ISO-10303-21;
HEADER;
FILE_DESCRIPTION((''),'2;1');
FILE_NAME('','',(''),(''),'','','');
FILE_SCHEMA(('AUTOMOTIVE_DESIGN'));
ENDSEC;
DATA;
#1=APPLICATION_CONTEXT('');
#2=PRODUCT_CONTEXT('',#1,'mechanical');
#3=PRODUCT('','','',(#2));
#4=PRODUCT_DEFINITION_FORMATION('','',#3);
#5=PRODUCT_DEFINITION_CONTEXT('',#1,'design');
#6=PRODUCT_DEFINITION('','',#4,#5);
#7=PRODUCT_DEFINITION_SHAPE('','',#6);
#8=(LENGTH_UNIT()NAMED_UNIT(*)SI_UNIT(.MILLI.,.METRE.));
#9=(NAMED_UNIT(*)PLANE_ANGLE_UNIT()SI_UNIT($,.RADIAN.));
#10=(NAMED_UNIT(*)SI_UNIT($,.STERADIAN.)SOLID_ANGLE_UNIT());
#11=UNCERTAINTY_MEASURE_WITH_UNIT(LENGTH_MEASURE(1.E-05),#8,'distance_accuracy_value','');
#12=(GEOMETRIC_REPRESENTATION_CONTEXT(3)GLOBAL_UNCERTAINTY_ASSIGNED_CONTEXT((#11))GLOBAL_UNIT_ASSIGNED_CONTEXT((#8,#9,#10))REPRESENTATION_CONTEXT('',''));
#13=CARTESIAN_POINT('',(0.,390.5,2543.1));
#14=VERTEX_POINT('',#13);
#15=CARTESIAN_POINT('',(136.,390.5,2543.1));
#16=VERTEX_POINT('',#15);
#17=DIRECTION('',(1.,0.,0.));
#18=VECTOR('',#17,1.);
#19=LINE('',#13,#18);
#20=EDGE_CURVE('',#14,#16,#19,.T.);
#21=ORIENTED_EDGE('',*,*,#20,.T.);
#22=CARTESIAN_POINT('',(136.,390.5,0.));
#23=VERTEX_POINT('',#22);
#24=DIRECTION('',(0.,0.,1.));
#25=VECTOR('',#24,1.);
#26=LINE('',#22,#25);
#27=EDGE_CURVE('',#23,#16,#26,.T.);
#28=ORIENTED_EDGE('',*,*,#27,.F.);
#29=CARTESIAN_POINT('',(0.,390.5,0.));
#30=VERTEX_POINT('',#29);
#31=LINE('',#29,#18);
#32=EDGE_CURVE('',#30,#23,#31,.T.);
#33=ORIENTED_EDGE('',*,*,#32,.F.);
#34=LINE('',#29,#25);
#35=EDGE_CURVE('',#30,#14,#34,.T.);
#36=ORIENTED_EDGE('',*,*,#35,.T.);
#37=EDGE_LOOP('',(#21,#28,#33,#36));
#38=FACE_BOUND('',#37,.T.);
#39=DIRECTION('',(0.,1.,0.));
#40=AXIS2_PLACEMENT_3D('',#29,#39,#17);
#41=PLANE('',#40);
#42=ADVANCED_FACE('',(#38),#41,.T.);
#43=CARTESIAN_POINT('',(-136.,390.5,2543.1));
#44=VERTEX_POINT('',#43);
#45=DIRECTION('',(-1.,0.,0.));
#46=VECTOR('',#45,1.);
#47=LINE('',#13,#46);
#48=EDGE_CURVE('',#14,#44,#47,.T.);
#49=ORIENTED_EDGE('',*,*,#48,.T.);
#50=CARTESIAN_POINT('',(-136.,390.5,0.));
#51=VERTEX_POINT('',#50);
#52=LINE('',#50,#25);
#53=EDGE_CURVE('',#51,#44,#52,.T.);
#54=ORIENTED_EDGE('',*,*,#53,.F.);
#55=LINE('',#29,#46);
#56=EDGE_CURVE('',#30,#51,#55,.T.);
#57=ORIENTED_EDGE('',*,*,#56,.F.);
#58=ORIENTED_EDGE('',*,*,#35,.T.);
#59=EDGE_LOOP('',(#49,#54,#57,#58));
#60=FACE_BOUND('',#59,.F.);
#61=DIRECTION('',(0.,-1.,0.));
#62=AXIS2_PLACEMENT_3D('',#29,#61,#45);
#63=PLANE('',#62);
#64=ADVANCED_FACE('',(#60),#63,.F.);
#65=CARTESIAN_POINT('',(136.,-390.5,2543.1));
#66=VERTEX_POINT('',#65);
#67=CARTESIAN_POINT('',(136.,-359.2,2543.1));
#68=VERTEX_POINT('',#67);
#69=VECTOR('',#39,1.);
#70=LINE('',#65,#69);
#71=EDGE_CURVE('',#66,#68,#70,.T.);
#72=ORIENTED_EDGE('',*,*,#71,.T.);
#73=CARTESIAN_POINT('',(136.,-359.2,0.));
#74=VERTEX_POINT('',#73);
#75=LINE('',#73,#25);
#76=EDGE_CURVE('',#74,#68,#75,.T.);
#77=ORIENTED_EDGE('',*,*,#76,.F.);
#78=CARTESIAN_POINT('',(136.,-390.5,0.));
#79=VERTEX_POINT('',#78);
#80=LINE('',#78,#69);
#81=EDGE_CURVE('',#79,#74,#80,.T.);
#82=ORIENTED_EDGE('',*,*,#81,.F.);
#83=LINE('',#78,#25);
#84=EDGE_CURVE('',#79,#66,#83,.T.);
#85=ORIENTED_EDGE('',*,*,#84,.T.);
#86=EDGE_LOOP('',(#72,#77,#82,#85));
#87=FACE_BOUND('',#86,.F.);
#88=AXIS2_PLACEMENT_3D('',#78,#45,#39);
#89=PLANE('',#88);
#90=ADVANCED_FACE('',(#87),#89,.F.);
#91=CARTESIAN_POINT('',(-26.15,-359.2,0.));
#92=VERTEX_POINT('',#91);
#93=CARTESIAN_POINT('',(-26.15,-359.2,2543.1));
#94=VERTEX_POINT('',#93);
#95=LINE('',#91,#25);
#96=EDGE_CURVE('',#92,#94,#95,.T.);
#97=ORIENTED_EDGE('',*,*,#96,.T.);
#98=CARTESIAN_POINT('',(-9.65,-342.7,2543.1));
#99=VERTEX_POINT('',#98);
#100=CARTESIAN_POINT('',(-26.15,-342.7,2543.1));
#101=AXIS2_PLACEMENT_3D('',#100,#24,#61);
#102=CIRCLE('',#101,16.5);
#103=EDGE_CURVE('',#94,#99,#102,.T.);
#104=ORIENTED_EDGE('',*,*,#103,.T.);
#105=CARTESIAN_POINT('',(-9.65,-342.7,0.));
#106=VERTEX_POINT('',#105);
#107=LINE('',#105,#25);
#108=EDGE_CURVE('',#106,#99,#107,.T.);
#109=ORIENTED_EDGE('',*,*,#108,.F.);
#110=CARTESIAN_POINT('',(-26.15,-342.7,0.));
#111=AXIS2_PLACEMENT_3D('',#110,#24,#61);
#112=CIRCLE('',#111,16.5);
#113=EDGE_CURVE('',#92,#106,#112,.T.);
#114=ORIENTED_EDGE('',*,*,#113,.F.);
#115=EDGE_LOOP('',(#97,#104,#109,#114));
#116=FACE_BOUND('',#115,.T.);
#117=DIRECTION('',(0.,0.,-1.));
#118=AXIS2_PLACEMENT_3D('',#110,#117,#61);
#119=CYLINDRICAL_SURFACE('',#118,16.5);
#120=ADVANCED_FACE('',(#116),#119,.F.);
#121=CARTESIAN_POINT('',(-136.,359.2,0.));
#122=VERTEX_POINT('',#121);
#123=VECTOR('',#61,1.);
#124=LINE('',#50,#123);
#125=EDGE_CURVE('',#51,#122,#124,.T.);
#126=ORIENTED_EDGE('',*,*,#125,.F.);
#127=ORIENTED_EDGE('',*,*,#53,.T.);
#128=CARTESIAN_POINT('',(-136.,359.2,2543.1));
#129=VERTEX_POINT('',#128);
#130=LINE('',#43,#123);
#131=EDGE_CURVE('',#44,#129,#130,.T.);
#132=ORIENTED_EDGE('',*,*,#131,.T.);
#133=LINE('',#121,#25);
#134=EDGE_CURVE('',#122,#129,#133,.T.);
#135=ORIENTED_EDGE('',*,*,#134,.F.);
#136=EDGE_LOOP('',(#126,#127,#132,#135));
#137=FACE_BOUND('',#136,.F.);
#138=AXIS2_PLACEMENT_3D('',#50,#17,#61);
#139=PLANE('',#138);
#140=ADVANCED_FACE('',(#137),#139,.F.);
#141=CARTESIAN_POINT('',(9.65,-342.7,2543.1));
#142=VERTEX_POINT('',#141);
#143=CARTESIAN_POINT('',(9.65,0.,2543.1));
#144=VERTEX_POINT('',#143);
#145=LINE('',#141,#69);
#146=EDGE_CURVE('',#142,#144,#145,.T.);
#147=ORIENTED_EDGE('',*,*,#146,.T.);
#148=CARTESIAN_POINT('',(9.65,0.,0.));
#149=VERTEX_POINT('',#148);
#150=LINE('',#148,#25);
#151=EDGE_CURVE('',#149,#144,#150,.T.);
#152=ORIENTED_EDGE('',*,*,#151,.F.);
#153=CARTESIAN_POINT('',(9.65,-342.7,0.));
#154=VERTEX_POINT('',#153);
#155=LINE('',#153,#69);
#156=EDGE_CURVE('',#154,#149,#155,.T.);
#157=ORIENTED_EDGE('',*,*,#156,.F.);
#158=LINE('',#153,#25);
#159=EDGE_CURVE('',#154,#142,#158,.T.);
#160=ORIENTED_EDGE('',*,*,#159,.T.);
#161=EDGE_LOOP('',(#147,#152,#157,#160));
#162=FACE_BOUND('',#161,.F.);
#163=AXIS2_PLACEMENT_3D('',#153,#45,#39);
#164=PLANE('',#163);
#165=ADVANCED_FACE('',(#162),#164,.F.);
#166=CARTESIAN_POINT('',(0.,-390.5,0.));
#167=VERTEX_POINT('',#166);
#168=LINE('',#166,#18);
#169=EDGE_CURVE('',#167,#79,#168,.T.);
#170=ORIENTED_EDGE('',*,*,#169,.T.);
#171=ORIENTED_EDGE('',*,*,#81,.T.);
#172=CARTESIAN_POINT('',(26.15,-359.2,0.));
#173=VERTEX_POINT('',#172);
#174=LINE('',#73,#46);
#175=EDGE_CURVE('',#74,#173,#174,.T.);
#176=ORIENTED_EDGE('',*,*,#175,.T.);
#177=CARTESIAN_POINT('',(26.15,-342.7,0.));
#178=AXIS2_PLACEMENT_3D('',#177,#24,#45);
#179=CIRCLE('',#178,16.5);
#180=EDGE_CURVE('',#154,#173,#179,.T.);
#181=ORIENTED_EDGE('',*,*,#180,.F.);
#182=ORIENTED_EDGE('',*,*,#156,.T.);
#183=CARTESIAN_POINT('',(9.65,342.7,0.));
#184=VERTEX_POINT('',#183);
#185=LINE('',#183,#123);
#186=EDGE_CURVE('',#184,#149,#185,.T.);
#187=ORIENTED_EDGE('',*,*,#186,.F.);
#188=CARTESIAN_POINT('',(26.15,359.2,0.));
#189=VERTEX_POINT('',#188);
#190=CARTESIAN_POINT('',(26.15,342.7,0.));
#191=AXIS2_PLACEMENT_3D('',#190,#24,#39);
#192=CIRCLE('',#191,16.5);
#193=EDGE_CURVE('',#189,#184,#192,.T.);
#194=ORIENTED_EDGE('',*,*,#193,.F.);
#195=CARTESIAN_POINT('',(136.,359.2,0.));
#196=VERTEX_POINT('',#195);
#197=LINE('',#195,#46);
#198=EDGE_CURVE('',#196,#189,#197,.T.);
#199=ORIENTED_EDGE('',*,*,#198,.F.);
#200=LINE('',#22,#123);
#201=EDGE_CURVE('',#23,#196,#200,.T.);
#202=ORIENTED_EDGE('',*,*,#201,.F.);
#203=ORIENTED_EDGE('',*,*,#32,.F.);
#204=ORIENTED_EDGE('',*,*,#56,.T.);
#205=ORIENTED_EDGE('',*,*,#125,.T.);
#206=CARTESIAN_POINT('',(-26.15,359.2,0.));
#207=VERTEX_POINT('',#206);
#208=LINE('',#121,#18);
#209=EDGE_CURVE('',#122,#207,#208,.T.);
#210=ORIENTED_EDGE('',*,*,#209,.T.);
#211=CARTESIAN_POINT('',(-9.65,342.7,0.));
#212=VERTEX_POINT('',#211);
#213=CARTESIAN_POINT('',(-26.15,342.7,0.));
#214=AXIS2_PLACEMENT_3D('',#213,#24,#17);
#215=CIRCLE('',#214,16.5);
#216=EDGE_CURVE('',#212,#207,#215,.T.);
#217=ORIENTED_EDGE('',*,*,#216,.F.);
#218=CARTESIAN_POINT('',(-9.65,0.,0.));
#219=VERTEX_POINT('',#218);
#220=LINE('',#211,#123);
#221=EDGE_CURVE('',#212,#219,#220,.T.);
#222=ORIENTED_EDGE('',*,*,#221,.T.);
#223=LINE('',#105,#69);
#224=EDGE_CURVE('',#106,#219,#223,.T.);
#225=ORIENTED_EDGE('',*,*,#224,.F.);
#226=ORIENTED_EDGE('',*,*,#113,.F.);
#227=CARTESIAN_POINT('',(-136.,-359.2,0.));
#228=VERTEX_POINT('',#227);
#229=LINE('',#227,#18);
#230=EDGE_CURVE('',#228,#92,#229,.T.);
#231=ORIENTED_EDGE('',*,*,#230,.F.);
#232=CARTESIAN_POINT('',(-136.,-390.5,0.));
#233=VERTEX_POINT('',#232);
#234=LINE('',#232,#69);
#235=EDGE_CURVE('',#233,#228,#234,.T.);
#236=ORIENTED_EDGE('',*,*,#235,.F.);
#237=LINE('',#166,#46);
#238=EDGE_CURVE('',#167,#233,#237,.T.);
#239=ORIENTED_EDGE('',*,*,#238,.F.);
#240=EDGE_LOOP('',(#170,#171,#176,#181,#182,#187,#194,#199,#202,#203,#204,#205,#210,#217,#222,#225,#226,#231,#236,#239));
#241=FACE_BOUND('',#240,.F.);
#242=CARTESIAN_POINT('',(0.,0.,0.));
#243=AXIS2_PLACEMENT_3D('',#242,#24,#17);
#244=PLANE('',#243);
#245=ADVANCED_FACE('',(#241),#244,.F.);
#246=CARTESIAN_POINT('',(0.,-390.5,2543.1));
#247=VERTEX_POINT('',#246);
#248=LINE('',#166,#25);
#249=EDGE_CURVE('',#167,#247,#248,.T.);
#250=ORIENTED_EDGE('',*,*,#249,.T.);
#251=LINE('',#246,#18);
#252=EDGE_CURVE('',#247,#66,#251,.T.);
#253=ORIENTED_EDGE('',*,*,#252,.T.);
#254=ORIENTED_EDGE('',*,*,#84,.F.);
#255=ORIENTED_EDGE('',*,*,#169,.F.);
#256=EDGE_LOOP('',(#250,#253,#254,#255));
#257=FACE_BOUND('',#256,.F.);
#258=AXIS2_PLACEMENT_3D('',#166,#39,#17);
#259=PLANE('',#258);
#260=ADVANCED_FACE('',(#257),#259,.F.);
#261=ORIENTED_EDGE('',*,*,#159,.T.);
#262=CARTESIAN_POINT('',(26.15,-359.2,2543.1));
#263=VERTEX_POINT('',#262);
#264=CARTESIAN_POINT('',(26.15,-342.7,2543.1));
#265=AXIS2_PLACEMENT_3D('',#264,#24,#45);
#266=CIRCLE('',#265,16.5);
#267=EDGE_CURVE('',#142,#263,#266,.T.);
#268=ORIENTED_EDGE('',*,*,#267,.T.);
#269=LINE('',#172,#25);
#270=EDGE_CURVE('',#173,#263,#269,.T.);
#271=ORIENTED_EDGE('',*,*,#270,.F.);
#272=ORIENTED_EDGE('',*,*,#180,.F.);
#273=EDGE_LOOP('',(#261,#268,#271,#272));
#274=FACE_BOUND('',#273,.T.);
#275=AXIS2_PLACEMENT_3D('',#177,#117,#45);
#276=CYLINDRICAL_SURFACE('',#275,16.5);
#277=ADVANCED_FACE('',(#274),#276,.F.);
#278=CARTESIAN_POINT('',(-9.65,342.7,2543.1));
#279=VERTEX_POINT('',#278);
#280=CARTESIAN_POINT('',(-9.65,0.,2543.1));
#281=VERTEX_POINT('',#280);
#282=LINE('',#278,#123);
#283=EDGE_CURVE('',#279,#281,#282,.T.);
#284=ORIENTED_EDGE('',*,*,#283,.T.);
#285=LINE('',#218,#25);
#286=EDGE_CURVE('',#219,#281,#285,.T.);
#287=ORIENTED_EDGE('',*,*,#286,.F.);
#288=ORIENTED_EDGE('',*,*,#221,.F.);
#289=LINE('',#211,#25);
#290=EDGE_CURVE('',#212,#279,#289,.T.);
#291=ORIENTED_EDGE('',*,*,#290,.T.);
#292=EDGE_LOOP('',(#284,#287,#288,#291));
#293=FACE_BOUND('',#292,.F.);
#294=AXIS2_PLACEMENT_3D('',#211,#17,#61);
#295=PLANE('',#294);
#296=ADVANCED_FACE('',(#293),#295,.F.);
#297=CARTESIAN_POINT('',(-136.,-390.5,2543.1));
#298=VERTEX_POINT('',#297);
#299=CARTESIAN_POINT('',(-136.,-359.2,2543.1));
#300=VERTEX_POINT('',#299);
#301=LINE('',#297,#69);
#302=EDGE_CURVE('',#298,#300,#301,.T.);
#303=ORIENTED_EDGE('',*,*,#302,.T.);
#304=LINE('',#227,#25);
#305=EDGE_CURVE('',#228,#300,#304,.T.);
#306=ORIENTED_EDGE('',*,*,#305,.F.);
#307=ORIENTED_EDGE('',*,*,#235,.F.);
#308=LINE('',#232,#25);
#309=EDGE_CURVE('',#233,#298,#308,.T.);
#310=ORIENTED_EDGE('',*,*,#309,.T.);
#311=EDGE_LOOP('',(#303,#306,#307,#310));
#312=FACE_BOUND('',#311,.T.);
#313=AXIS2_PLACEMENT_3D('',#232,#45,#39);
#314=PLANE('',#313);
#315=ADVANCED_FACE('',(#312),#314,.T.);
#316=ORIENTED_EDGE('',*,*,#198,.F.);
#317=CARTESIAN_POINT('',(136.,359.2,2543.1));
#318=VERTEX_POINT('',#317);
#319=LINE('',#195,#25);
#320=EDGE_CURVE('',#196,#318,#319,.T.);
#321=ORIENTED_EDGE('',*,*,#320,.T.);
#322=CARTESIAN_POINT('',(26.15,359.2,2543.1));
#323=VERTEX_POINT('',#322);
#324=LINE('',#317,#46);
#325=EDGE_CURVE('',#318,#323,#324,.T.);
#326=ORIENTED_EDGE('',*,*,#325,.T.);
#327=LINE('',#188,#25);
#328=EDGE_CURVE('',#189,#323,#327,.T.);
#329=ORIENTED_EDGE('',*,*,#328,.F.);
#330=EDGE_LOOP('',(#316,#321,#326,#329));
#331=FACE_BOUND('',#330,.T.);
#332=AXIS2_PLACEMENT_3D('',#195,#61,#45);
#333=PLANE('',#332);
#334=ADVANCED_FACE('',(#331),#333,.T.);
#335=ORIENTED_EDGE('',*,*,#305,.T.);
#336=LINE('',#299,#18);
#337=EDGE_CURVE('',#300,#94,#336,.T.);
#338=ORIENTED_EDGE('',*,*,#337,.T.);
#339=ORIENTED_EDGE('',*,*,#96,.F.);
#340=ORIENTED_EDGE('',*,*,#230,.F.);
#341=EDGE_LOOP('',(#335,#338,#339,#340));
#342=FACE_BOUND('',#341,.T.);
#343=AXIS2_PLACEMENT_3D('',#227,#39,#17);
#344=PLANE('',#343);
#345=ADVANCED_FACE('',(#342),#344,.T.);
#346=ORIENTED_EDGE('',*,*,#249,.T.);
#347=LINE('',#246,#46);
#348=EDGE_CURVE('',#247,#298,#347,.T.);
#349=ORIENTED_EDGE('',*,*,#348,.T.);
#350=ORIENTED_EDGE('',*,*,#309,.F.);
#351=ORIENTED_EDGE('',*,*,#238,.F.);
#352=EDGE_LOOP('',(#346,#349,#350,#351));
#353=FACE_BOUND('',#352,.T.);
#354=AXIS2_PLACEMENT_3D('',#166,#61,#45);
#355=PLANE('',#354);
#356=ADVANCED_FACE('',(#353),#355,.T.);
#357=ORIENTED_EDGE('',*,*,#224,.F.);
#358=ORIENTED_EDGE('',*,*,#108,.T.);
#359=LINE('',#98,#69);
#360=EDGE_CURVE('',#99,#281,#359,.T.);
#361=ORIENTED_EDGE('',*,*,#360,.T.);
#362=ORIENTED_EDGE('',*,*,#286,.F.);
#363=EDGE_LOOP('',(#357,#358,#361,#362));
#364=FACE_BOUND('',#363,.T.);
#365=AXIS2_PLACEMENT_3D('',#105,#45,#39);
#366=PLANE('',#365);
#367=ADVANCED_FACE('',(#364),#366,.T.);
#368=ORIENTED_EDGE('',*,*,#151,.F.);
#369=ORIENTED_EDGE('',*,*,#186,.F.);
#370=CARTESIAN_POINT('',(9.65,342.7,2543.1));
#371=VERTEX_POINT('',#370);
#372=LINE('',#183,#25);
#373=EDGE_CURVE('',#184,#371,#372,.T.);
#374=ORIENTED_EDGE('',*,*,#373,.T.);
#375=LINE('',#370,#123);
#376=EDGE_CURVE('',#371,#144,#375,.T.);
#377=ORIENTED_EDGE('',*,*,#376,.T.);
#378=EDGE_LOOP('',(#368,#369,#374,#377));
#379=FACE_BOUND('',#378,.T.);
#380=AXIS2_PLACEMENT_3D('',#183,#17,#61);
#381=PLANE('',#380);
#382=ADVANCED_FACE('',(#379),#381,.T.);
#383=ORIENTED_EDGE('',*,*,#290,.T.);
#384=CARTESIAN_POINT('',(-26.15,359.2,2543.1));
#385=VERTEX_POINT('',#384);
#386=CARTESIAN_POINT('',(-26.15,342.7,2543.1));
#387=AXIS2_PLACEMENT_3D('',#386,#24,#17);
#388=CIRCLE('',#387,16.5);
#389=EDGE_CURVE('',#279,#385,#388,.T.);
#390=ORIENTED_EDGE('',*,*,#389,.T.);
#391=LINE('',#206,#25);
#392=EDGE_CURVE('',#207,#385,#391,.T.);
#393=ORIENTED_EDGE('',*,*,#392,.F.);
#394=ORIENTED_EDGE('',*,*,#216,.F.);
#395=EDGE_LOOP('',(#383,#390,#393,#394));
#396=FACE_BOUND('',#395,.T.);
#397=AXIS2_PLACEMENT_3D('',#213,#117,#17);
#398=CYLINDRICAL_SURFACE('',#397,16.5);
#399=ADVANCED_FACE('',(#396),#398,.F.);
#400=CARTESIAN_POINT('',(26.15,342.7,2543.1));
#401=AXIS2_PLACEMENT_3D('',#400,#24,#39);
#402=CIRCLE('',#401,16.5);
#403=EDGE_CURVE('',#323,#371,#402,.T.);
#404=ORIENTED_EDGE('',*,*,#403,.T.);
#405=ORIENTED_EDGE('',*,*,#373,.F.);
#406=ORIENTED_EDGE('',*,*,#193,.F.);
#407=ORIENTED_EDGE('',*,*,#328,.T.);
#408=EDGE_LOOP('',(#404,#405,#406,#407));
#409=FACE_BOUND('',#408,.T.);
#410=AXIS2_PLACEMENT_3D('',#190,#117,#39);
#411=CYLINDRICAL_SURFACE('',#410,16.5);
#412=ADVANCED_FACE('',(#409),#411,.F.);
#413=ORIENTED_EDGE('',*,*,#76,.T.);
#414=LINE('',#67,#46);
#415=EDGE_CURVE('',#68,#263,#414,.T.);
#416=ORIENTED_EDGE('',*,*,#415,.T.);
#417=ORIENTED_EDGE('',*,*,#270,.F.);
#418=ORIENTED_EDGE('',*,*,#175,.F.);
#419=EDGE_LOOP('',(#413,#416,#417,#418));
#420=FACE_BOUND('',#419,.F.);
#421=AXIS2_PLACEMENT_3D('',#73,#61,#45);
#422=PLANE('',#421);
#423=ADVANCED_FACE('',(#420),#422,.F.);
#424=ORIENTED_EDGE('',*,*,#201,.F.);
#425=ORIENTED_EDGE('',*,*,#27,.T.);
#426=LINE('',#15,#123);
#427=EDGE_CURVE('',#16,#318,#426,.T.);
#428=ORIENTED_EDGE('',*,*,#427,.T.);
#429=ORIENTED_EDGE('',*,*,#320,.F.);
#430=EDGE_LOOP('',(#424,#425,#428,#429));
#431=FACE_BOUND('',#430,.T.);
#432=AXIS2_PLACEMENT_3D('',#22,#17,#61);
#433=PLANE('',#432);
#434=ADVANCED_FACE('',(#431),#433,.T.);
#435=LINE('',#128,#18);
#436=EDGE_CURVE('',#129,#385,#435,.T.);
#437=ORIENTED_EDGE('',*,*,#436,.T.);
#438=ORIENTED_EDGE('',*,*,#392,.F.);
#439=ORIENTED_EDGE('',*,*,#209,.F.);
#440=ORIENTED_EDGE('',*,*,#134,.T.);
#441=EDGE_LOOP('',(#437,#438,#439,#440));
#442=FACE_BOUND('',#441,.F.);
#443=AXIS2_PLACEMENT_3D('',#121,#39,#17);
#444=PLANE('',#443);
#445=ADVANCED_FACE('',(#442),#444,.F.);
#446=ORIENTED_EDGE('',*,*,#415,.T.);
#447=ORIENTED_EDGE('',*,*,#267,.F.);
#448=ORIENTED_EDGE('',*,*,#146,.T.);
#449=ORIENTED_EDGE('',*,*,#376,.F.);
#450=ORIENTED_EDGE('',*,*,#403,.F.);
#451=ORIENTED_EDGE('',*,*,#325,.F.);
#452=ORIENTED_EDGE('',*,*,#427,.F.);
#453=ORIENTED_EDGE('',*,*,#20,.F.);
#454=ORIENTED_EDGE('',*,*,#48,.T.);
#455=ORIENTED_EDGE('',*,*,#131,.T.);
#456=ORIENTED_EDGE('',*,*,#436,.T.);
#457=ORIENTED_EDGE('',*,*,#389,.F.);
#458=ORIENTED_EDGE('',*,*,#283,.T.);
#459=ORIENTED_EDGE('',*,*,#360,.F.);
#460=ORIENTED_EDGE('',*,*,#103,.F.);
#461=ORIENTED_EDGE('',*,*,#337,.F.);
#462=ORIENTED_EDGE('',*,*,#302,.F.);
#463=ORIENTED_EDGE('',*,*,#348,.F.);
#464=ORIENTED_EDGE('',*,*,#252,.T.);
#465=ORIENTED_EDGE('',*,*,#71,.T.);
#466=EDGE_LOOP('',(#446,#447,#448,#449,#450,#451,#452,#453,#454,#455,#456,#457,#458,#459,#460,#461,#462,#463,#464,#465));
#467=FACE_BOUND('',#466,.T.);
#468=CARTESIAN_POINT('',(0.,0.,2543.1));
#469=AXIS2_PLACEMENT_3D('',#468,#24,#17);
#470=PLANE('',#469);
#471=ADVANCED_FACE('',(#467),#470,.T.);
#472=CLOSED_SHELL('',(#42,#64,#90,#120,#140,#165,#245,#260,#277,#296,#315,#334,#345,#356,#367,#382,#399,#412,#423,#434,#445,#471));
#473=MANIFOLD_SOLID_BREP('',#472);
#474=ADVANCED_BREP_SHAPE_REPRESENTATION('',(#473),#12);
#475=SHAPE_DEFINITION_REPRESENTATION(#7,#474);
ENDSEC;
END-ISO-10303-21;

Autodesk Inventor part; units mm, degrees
ref_plane "YZ Plane" through (0, 0, 0) normal (1, 0, 0) x (0, 1, 0)
ref_plane "Start plane" through (0, 0, 0) normal (0, 0, 1) x (1, 0, 0)
ref_plane "End plane" through (0, 0, 2543.1) normal (0, 0, 1) x (1, 0, 0)
sketch "Sketch" plane through (0, 0, 0) normal (0, 0, 1) x (1, 0, 0)
  line L0 (-136, -390.5) -> (-136, -359.2)
  line L1 (-136, -359.2) -> (-26.15, -359.2)
  line L2 (-9.65, -342.7) -> (-9.65, 0)
  line L3 (-9.65, 0) -> (0, 0) construction
  line L4 (0, 0) -> (0, -390.5) construction
  line L5 (0, -390.5) -> (-136, -390.5)
  line L6 (-60, 0) -> (80, 0) construction
  line L7 (0, -60) -> (0, 80) construction
  line L8 (136, -390.5) -> (136, -359.2)
  line L9 (136, -359.2) -> (26.15, -359.2)
  line L10 (9.65, -342.7) -> (9.65, 0)
  line L11 (9.65, 0) -> (0, 0) construction
  line L12 (0, -390.5) -> (136, -390.5)
  line L13 (-136, 390.5) -> (-136, 359.2)
  line L14 (-136, 359.2) -> (-26.15, 359.2)
  line L15 (-9.65, 342.7) -> (-9.65, 0)
  line L16 (0, 390.5) -> (-136, 390.5)
  line L17 (136, 390.5) -> (136, 359.2)
  line L18 (136, 359.2) -> (26.15, 359.2)
  line L19 (0, 390.5) -> (136, 390.5)
  line L20 (9.65, 342.7) -> (9.65, 0)
  arc A0 (-9.65, 342.7) -> (-26.15, 359.2) centre (-26.15, 342.7) ccw
  arc A1 (26.15, 359.2) -> (9.65, 342.7) centre (26.15, 342.7) ccw
  arc A2 (9.65, -342.7) -> (26.15, -359.2) centre (26.15, -342.7) ccw
  arc A3 (-26.15, -359.2) -> (-9.65, -342.7) centre (-26.15, -342.7) ccw
  line L21 (0, 108) -> (0, -88) construction
  line L22 (-88, 0) -> (108, 0) construction
  point P0 (-9.65, -359.2)
  point P1 (9.65, -359.2)
  point P2 (-9.65, 359.2)
  point P3 (9.65, 359.2)
  dimension "d1" = 390.5
  dimension "d2" = 31.3
  dimension "d3" = 136
  dimension "d4" = 9.65
  dimension "d10" = 16.5
extrude "Body" add sketch "Sketch" along normal up to surface (2543.1 mm away) from surface at 0
sketch "Sketch4" plane through (0, 0, 0) normal (0, 0, 1) x (1, 0, 0)
  line L0 (0, 0) -> (10, 0)
ref_plane "Work Plane3" through (0, 0, 0) normal (0, -1, 0) x (1, 0, 0)
sketch "Sketch5" plane through (0, 0, 0) normal (0, -1, 0) x (1, 0, 0)
  line L0 (-2, 0) -> (12, 0) projected
  line L1 (-2, 2543.1) -> (12, 2543.1) projected
  dimension "d14" = 2543.1
equation "\"d1\" = 0.5 * G_H"
equation "\"d2\" = G_T1"
equation "\"d3\" = 0.5 * G_W"
equation "\"d4\" = 0.5 * G_T"
equation "\"d10\" = G_IR"
equation "\"d5\" = G_L"
equation "\"G_W\" = 272"
equation "\"G_H\" = 781"
equation "\"G_T\" = 19.3"
equation "\"G_T1\" = 31.3"
equation "\"G_IR\" = 16.5"
equation "\"G_L\" = d14"
equation "\"G_OFFSET_START\" = 0"
equation "\"G_OFFSET_END\" = 0"
equation "\"d12\" = G_OFFSET_END + B_L"
equation "\"B_L\" = 2543.1"
properties part number "AS 3679-1990 - 760 UB - 244 - 2543.1" material "Steel, Mild"
